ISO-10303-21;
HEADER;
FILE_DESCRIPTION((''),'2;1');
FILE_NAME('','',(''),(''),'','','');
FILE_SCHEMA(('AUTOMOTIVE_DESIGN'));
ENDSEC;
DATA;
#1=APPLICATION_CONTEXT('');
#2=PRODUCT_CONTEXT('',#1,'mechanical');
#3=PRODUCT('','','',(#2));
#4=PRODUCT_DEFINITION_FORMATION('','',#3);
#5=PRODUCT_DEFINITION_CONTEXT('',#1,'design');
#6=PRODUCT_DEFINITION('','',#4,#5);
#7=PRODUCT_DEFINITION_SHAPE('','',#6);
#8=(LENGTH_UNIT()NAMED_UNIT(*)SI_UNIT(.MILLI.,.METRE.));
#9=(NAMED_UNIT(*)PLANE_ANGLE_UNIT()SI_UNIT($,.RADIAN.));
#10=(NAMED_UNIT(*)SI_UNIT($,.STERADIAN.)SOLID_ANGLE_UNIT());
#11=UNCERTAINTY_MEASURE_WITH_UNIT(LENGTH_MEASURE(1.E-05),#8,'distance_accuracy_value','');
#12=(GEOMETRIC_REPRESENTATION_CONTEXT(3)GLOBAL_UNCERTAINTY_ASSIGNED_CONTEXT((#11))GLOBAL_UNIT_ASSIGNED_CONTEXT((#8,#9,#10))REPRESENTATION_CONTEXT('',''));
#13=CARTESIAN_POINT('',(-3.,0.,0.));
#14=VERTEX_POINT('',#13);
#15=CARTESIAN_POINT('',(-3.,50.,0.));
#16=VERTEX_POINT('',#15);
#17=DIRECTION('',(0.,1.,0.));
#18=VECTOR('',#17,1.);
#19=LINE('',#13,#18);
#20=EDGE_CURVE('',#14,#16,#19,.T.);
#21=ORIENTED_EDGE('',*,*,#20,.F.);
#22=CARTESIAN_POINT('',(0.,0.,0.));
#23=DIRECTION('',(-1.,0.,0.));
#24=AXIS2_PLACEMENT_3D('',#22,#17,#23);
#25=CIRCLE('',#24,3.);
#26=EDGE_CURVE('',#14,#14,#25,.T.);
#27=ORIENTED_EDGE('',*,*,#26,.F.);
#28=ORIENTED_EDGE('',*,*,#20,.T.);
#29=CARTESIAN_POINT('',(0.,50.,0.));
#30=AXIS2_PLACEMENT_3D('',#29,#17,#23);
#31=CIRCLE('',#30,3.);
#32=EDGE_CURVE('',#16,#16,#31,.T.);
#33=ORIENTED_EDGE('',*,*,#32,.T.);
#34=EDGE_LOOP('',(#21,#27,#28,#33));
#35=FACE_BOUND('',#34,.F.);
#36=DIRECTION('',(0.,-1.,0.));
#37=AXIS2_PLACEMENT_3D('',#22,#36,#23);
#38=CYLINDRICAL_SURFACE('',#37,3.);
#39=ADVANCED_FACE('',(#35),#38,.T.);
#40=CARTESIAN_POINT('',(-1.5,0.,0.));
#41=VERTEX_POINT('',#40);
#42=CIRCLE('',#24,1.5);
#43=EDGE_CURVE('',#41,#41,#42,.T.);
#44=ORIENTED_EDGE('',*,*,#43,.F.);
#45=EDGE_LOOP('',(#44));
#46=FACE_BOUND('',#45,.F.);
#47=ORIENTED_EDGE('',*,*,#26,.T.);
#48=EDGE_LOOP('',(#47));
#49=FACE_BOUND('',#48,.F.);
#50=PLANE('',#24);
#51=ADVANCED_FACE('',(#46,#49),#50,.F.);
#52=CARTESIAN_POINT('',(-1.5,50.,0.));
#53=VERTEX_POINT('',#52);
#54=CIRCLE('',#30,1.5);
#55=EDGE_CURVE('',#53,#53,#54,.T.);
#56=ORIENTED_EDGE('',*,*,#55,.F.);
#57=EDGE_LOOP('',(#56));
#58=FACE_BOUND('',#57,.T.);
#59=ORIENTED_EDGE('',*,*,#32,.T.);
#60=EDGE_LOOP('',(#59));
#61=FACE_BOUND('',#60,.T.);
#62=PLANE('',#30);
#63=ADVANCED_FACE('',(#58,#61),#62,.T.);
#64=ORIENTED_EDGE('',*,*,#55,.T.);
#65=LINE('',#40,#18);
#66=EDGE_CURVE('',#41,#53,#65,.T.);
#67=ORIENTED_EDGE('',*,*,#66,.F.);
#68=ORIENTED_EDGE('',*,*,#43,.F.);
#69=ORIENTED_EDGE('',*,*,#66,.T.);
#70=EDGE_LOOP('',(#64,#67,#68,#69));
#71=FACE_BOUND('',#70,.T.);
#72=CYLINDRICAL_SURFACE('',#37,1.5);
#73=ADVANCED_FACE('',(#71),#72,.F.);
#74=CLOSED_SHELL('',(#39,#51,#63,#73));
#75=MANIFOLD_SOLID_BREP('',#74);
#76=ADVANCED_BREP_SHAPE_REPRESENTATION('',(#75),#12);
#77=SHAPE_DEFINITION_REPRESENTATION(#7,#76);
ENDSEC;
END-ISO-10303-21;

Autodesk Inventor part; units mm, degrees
ref_plane "YZ Plane" through (0, 0, 0) normal (1, 0, 0) x (0, 1, 0)
ref_plane "XZ Plane" through (0, 0, 0) normal (0, 1, 0) x (-1, 0, 0)
ref_plane "XY Plane" through (0, 0, 0) normal (0, 0, 1) x (1, 0, 0)
sketch "スケッチ1" plane through (0, 0, 0) normal (0, 1, 0) x (-1, 0, 0)
  circle A0 centre (0, 0) radius 1.5
  circle A1 centre (0, 0) radius 3
  dimension "d0" = 3
  dimension "d1" = 6
extrude "押し出し1" add sketch "スケッチ1" along normal blind 50
properties part number "hand2_12"
